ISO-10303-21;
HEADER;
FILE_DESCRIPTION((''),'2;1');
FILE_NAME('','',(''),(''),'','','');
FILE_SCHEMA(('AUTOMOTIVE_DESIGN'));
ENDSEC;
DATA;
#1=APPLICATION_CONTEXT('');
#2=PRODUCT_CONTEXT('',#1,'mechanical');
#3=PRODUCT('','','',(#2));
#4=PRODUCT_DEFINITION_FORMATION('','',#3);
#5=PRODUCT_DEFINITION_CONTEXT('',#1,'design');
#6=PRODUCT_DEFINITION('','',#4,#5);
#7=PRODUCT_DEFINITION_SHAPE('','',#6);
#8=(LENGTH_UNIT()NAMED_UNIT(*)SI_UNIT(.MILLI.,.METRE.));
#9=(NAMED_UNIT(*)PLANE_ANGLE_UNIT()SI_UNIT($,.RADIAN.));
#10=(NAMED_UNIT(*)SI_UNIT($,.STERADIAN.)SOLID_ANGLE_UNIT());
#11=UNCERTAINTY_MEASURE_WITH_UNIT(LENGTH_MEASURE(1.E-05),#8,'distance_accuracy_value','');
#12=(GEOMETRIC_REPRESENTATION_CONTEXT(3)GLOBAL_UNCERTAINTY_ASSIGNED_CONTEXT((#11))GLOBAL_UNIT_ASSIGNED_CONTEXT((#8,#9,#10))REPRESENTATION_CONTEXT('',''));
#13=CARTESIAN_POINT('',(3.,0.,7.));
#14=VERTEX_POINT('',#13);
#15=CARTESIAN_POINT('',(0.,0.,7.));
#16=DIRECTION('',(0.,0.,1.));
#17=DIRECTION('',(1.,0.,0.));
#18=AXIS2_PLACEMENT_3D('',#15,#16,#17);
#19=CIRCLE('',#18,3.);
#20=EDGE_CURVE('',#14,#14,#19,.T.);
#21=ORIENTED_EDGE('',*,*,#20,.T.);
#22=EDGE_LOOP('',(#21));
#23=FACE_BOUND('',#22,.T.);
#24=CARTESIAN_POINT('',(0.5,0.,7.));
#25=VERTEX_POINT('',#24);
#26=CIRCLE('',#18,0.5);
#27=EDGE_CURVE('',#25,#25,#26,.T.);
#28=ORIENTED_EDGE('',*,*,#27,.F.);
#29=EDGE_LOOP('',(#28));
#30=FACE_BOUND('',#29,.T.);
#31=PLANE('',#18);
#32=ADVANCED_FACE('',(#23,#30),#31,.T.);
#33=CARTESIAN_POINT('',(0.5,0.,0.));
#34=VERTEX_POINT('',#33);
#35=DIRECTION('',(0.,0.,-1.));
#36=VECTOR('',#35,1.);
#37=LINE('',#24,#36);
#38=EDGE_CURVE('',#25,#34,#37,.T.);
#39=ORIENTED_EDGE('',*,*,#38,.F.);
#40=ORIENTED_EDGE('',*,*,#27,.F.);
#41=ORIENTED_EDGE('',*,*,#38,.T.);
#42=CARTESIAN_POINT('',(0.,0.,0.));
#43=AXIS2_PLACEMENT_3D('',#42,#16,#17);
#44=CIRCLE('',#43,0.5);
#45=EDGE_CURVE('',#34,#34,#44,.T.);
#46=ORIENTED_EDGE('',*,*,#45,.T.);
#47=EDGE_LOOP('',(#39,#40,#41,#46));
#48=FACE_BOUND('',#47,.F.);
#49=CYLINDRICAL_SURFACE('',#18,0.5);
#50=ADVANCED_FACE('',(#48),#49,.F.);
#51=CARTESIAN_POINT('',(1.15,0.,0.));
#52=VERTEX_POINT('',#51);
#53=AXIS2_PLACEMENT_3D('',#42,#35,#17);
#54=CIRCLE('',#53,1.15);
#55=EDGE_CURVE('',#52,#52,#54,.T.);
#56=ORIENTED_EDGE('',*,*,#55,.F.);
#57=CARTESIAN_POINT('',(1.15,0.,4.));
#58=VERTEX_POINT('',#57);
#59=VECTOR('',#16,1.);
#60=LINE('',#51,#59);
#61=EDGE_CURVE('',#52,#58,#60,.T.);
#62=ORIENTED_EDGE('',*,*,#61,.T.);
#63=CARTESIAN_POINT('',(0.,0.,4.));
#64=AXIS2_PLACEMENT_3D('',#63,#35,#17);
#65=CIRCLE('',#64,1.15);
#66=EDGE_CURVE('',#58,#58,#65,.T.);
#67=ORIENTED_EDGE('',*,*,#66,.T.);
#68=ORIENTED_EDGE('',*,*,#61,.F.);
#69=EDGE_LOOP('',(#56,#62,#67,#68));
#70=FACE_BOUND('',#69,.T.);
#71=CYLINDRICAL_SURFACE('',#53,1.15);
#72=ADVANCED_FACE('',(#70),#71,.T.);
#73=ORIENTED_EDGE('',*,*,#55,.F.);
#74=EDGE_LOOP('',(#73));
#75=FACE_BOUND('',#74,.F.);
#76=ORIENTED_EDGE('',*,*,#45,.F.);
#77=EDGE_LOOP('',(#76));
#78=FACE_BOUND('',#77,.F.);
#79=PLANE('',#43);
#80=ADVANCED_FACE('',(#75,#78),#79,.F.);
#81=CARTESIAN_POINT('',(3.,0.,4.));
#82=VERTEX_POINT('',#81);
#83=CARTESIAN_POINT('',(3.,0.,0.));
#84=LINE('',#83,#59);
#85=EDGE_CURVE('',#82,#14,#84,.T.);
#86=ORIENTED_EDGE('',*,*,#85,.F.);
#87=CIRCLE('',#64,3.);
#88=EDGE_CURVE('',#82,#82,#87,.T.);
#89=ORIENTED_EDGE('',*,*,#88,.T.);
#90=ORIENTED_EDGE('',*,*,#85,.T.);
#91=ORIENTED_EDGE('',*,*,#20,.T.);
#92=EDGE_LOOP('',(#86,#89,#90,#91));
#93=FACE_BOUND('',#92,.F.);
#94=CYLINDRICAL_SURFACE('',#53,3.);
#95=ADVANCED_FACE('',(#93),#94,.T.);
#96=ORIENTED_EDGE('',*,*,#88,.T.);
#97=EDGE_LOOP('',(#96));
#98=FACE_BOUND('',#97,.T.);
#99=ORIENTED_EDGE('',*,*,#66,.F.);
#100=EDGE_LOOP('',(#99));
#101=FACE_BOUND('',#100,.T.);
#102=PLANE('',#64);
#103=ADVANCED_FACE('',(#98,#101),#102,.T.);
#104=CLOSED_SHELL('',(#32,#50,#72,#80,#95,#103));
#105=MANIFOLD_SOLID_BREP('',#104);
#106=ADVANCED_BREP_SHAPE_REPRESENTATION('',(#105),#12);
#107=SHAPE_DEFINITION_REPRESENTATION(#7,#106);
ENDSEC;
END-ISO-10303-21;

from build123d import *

# Parameters (mm, degrees)
F0_R     = 3
F1_DEPTH = 7
F2_R     = 3
F2_R_2   = 1.15
F3_DEPTH = 4
F4_R     = 0.5
F5_DEPTH = 25


with BuildPart() as f1:
    # F0 (on Top) → F1 (new body)
    with BuildSketch(Plane.XY):
        Circle(F0_R)
    extrude(amount=F1_DEPTH)

    # F2 (on face) → F3 (cut)
    with BuildSketch(Plane(origin=(0, 0, 0), x_dir=(1, 0, 0), z_dir=(0, 0, -1))):
        Circle(F2_R)
        Circle(F2_R_2, mode=Mode.SUBTRACT)
    extrude(amount=-F3_DEPTH, mode=Mode.SUBTRACT)

    # F4 (on face) → F5 (cut)
    with BuildSketch(Plane.XY.offset(7)):
        Circle(F4_R)
    extrude(amount=-F5_DEPTH, mode=Mode.SUBTRACT)


solid = f1.part
